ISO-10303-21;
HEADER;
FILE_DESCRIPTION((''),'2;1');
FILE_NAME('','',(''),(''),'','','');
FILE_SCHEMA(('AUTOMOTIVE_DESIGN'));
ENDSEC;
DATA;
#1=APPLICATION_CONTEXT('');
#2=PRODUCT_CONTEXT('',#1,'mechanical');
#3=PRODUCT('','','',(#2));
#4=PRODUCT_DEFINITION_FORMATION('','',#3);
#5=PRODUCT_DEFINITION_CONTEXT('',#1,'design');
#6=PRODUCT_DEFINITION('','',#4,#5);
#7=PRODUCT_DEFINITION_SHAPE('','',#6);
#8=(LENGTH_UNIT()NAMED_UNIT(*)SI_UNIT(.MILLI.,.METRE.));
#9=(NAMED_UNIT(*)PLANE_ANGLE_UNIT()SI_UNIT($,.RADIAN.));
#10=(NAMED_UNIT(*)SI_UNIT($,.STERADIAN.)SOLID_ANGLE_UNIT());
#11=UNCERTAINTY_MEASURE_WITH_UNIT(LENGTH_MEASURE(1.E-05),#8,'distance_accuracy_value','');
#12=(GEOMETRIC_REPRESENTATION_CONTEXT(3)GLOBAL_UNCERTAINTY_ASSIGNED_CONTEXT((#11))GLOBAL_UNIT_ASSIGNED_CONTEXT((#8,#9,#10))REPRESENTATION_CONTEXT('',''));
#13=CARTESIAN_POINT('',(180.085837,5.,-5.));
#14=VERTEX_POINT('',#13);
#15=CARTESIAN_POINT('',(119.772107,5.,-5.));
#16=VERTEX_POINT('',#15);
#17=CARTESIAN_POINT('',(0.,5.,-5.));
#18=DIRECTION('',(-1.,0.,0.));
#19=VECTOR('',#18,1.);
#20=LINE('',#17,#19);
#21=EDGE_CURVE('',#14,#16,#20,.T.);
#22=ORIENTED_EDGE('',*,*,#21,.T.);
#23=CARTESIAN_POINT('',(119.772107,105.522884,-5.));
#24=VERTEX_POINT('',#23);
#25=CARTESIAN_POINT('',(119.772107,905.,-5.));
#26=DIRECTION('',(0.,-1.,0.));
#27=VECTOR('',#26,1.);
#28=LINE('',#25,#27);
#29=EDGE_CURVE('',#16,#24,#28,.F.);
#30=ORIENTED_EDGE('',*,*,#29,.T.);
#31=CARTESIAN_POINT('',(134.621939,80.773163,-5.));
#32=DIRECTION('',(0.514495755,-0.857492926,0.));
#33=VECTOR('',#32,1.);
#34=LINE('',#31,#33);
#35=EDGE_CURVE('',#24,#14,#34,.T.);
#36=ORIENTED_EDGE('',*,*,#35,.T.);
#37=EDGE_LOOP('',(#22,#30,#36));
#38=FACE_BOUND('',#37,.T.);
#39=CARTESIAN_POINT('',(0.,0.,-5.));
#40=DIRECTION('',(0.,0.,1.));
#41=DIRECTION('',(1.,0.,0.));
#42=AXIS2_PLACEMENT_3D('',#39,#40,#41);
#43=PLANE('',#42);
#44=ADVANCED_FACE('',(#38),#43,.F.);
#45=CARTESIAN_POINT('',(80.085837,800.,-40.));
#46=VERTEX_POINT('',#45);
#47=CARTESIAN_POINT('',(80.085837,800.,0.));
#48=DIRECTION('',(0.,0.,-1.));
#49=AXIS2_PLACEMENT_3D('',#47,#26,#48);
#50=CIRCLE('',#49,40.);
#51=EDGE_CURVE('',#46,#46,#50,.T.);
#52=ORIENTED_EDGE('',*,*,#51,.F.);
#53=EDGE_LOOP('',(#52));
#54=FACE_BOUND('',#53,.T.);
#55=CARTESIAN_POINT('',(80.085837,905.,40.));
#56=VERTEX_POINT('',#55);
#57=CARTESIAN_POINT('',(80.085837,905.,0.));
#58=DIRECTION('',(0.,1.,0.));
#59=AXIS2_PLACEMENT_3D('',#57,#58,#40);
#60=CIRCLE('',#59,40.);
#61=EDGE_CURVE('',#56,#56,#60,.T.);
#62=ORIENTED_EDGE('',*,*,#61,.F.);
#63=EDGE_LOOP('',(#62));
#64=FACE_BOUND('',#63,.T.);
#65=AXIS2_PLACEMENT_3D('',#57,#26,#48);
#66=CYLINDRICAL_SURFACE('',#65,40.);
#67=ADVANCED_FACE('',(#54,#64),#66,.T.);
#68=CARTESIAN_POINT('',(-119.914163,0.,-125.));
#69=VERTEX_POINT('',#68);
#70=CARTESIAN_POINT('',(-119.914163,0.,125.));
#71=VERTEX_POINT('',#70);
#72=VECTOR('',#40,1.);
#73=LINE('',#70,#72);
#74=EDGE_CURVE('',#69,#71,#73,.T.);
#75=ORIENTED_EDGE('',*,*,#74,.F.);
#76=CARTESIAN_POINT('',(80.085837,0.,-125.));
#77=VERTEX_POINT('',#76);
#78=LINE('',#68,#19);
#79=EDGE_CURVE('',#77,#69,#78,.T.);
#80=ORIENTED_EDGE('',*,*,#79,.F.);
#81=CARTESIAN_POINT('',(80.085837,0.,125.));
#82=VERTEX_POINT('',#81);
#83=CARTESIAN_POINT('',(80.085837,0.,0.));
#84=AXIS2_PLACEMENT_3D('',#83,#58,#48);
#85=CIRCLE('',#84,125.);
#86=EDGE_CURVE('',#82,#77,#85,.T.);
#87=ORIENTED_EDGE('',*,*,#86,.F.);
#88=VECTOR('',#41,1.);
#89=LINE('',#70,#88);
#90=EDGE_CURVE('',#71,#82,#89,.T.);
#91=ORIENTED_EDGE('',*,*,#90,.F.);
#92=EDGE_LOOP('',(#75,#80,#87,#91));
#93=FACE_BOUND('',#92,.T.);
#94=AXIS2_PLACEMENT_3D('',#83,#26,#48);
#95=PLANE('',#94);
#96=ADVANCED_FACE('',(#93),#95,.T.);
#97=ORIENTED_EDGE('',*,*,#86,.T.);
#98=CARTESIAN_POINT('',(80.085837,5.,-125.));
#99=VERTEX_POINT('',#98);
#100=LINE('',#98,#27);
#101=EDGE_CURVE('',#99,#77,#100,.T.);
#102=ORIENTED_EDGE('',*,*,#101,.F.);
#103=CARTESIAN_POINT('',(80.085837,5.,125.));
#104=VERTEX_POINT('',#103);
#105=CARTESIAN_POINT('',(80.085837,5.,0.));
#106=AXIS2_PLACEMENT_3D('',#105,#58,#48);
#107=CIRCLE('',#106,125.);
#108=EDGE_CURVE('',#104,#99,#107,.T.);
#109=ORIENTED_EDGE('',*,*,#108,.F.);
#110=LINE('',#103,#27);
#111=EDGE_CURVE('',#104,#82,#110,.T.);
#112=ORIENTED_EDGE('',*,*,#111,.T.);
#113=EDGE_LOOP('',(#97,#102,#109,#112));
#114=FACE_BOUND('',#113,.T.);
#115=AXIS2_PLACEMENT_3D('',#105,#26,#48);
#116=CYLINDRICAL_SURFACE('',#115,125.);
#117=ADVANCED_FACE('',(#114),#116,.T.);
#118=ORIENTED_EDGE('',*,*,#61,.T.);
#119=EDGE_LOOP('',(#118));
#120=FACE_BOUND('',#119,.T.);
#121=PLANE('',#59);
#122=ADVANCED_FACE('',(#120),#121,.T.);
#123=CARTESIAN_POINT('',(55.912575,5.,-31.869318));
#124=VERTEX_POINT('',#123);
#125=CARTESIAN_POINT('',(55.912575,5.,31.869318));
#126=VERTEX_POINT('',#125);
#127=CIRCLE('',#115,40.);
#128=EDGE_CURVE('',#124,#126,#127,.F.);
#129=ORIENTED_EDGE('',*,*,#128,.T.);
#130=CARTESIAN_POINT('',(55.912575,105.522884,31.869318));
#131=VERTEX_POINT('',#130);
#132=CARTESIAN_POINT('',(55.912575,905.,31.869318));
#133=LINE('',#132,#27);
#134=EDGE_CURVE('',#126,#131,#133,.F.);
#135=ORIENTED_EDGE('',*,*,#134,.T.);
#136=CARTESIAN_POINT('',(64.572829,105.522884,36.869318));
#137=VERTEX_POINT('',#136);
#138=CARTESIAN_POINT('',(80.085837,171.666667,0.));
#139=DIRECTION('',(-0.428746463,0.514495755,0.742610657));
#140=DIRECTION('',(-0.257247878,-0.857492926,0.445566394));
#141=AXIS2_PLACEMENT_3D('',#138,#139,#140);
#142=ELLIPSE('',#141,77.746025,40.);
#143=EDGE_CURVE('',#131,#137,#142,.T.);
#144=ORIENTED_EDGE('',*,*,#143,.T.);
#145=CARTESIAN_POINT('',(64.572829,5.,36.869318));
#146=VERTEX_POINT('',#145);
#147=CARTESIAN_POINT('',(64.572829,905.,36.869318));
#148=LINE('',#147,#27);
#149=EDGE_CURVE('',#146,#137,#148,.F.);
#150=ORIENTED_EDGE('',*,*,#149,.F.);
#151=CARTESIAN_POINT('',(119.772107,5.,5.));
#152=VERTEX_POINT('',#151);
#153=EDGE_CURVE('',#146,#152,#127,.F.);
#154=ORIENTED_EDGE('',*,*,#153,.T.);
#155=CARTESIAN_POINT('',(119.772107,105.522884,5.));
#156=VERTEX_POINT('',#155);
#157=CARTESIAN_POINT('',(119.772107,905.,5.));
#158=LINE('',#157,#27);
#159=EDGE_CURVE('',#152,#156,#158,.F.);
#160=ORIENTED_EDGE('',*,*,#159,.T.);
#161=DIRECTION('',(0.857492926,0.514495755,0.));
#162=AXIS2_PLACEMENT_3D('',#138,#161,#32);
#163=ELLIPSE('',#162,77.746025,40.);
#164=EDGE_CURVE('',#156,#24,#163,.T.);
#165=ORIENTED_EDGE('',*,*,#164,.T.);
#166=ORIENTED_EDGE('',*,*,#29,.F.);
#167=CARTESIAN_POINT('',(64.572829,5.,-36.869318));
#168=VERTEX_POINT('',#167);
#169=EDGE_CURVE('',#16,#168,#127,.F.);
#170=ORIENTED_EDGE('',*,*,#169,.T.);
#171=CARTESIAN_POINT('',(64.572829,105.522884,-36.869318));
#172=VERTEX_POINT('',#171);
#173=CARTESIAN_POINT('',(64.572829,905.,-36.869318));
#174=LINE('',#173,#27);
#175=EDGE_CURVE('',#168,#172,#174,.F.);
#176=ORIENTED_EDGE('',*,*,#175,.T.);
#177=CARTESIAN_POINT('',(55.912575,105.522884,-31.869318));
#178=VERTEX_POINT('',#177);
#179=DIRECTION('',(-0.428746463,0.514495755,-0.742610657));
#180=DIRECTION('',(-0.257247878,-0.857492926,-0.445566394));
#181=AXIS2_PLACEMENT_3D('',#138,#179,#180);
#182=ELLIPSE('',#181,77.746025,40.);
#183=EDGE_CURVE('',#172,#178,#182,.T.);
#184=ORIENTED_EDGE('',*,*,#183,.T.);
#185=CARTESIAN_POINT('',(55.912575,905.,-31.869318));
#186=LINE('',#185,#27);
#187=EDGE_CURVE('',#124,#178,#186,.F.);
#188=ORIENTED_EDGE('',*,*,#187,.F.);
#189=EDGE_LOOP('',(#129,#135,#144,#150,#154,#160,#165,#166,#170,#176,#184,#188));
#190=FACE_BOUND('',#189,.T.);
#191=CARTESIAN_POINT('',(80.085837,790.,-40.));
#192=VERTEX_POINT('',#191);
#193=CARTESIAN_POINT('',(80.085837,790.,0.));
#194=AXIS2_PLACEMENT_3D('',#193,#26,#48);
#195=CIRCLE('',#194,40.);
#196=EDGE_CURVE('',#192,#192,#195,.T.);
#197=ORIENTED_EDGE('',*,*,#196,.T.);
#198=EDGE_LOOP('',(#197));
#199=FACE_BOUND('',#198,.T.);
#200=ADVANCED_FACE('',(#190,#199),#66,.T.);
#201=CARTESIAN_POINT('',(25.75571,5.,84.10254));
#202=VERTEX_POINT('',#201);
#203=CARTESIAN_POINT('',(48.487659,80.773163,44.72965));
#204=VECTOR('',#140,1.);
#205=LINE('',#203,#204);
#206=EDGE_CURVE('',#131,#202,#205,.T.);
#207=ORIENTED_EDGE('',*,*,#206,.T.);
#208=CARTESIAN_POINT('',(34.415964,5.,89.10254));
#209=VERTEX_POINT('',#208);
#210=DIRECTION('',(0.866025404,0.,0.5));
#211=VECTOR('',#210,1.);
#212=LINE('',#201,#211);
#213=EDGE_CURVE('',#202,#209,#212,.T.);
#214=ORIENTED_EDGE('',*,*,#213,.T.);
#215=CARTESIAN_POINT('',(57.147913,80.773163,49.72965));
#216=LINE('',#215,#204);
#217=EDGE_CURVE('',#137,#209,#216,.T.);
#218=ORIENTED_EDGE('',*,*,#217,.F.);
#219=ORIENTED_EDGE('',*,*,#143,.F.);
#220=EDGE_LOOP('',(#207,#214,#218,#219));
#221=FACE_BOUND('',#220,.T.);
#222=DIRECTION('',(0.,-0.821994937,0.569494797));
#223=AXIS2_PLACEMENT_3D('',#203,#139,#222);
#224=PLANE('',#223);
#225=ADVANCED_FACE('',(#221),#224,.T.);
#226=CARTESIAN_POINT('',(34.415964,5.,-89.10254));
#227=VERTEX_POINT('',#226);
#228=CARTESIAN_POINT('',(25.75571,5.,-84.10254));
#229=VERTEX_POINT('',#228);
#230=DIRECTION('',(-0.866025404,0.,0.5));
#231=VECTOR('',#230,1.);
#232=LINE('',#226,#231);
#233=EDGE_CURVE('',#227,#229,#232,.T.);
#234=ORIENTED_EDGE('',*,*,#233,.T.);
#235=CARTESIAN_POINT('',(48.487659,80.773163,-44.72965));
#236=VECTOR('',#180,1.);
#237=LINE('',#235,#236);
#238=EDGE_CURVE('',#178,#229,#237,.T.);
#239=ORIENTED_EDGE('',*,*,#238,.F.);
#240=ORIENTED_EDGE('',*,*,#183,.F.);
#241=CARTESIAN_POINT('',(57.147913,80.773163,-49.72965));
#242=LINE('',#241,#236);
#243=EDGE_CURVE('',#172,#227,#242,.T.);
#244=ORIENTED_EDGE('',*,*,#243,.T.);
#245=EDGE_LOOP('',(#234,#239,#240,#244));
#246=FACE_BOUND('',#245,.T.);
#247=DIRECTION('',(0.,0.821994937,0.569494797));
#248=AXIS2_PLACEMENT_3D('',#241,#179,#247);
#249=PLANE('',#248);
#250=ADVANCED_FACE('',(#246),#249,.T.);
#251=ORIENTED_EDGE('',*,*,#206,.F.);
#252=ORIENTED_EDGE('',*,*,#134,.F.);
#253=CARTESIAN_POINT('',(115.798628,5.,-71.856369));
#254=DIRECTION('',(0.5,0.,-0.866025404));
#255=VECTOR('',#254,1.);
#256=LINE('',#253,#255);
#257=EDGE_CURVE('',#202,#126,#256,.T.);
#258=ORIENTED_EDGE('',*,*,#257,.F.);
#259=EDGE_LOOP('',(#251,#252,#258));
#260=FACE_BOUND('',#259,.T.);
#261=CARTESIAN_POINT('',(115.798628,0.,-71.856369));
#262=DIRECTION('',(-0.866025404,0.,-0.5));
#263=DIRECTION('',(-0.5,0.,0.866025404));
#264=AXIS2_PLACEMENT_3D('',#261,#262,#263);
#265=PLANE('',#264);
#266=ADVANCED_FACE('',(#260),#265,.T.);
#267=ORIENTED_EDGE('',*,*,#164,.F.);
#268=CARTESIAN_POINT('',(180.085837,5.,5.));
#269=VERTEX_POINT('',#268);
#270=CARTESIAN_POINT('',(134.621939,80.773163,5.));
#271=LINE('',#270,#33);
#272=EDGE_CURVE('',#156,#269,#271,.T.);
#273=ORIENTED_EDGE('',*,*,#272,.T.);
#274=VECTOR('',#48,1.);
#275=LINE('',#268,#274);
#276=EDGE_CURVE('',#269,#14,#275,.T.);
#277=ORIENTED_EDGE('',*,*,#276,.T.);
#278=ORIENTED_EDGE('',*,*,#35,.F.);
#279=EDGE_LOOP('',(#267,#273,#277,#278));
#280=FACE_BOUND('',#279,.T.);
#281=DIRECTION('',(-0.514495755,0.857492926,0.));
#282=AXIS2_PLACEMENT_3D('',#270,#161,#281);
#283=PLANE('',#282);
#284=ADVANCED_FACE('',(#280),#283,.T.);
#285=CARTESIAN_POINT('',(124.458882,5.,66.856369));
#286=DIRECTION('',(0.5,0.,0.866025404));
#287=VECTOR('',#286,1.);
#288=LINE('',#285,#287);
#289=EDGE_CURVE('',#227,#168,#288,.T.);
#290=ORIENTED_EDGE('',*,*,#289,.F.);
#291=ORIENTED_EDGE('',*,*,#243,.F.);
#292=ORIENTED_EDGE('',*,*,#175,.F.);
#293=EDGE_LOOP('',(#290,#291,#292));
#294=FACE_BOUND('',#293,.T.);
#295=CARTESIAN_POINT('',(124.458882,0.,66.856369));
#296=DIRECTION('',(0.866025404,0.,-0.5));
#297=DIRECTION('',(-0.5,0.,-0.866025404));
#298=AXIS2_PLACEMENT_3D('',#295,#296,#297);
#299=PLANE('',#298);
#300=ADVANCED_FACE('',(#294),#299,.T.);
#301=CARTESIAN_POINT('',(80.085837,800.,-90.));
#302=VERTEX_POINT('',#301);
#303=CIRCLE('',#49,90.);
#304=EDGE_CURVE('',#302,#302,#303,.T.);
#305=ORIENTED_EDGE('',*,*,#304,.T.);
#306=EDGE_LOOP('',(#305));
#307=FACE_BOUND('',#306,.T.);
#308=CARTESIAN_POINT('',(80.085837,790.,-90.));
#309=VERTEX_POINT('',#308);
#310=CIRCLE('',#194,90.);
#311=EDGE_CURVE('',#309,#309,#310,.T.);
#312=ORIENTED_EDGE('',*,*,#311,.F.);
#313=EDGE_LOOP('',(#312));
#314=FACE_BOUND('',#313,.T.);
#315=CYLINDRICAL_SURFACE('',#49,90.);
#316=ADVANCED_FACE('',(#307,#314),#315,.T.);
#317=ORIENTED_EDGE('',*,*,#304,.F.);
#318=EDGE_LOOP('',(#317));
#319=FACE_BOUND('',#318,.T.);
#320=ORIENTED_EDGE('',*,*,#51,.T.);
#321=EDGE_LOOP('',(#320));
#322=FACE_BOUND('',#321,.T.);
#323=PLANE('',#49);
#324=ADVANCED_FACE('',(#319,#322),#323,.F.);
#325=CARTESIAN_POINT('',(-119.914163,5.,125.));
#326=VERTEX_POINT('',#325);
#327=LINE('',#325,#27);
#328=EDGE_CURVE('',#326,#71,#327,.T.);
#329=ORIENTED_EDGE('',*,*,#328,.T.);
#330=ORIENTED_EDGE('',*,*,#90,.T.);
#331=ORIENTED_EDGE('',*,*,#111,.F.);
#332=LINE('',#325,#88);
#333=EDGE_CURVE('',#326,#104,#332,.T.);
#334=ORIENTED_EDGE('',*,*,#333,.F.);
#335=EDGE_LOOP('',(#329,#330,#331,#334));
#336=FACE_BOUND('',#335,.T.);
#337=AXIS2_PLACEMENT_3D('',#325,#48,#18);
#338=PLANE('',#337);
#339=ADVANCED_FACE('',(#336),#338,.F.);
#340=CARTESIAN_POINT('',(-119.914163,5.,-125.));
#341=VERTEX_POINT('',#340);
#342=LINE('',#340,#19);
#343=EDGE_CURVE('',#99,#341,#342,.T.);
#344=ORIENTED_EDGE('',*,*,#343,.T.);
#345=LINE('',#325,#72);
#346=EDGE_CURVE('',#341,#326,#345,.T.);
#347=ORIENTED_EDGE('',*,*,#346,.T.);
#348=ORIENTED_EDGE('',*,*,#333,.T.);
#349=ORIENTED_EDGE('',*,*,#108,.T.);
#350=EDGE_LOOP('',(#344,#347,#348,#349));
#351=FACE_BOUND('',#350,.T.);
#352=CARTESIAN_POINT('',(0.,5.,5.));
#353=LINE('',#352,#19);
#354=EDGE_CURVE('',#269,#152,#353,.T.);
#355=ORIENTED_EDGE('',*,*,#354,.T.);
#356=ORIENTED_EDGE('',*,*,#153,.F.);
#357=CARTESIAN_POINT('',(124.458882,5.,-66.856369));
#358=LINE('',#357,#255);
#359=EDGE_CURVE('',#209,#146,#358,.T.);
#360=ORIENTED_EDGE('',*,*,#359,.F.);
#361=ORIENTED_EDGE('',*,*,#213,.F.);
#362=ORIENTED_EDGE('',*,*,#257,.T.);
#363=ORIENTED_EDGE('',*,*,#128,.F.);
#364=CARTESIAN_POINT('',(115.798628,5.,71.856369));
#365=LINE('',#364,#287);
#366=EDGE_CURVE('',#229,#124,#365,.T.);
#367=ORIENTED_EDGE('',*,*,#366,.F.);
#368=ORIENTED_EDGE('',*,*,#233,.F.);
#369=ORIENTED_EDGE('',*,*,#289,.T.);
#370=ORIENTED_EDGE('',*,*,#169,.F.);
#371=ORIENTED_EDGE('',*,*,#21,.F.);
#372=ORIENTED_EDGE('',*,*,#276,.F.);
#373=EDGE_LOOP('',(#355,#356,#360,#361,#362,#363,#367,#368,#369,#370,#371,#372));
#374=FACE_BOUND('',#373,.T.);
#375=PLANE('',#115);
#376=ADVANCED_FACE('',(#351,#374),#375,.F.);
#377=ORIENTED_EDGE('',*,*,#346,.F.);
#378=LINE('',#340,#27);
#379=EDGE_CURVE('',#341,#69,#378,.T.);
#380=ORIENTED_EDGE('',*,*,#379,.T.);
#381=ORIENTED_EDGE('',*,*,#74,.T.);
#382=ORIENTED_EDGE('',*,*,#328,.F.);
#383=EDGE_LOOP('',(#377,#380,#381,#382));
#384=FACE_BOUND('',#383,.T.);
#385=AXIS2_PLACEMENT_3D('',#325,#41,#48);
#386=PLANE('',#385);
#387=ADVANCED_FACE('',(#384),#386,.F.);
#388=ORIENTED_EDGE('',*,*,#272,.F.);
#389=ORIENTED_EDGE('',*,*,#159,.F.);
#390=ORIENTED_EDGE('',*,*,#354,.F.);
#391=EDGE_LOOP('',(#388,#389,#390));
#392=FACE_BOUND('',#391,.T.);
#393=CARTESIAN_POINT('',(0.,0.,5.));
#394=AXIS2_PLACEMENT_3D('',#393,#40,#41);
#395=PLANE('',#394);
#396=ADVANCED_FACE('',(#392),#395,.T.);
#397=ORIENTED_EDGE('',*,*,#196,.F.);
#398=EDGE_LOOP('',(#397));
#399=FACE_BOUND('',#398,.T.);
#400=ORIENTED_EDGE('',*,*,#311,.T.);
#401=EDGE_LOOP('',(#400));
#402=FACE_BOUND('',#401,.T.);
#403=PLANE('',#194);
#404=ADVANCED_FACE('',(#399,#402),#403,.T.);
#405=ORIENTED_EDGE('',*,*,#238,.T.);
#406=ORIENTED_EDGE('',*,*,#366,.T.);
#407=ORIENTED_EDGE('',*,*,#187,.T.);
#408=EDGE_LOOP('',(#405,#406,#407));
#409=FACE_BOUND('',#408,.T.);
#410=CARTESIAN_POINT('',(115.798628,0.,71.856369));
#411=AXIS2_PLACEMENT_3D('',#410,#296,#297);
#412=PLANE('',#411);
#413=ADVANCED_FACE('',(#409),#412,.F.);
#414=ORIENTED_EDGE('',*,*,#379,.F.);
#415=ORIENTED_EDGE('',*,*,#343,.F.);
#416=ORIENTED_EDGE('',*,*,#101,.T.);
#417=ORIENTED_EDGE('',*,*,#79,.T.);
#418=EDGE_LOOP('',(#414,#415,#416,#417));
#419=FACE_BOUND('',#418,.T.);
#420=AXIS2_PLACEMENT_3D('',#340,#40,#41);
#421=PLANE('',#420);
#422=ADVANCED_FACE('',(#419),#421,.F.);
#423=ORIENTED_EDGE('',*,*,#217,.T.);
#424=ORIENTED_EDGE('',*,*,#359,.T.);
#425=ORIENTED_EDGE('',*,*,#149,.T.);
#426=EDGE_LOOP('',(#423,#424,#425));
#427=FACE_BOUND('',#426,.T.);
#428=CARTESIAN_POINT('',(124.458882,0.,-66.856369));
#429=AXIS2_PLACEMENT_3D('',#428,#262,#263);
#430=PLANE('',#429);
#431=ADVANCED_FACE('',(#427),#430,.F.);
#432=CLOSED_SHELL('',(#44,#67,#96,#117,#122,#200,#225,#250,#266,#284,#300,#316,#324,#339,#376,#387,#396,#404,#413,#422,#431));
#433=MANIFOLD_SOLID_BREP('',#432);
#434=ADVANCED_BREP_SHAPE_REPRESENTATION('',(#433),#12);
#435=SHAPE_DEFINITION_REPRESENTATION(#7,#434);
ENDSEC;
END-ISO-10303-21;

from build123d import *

# Parameters (mm, degrees)
EXTRUDE_1_DEPTH          = 5
SKETCH_2_R               = 40
EXTRUDE_2_DEPTH          = 900
SKETCH_3_R               = 90
EXTRUDE_3_DEPTH          = 10
EXTRUDE_6_DEPTH          = 5
PATTERN_CIRCULAR_1_COUNT = 3


with BuildPart() as part:
    # 草图1 → 凸台-拉伸1 (new body)
    with BuildSketch(Plane(origin=(0, 0, 0), x_dir=(1, 0, 0), z_dir=(0, 1, 0))):
        with BuildLine():
            Line((-119.91416309, -125), (-119.91416309, 125))
            Line((-119.91416309, 125), (80.08583691, 125))
            ThreePointArc((80.08583691, 125), (205.08583691, 0), (80.08583691, -125))
            Line((80.08583691, -125), (-119.91416309, -125))
        make_face()
    extrude(amount=EXTRUDE_1_DEPTH)

    # 草图2 → 凸台-拉伸2 (add)
    with BuildSketch(Plane(origin=(0, 5, 0), x_dir=(1, 0, 0), z_dir=(0, 1, 0))):
        with Locations(Location((80.08583691, 0, 0), (0, 0, 90))):
            Circle(SKETCH_2_R)
    extrude(amount=EXTRUDE_2_DEPTH)

    # 草图3 → 凸台-拉伸3 (add)
    with BuildSketch(Plane(origin=(0, 790, 0), x_dir=(-1, 0, 0), z_dir=(0, -1, 0))):
        with Locations(Location((-80.08583691, 0, 0), (0, 0, 90))):
            Circle(SKETCH_3_R)
    extrude(amount=-EXTRUDE_3_DEPTH)

    # 草图5 → 凸台-拉伸6 (add, symmetric)
    with BuildSketch(Plane.XY):
        Polygon((108.365396312, 5), (120.08583691, 5), (120.08583691, 105), (108.365396312, 124.534067663), align=None)
        Polygon((120.08583691, 5), (180.08583691, 5), (120.08583691, 105), align=None)
    extrude_6 = extrude(amount=EXTRUDE_6_DEPTH, both=True)

    # 阵列(圆周)1: 凸台-拉伸6 ×3 about axis
    pattern_circular_1_axis = Axis((80.08583691, 0, 0), (0, 1, 0))
    for i in range(1, PATTERN_CIRCULAR_1_COUNT):
        add(extrude_6.rotate(pattern_circular_1_axis, i * 360 / PATTERN_CIRCULAR_1_COUNT))


solid = part.part
